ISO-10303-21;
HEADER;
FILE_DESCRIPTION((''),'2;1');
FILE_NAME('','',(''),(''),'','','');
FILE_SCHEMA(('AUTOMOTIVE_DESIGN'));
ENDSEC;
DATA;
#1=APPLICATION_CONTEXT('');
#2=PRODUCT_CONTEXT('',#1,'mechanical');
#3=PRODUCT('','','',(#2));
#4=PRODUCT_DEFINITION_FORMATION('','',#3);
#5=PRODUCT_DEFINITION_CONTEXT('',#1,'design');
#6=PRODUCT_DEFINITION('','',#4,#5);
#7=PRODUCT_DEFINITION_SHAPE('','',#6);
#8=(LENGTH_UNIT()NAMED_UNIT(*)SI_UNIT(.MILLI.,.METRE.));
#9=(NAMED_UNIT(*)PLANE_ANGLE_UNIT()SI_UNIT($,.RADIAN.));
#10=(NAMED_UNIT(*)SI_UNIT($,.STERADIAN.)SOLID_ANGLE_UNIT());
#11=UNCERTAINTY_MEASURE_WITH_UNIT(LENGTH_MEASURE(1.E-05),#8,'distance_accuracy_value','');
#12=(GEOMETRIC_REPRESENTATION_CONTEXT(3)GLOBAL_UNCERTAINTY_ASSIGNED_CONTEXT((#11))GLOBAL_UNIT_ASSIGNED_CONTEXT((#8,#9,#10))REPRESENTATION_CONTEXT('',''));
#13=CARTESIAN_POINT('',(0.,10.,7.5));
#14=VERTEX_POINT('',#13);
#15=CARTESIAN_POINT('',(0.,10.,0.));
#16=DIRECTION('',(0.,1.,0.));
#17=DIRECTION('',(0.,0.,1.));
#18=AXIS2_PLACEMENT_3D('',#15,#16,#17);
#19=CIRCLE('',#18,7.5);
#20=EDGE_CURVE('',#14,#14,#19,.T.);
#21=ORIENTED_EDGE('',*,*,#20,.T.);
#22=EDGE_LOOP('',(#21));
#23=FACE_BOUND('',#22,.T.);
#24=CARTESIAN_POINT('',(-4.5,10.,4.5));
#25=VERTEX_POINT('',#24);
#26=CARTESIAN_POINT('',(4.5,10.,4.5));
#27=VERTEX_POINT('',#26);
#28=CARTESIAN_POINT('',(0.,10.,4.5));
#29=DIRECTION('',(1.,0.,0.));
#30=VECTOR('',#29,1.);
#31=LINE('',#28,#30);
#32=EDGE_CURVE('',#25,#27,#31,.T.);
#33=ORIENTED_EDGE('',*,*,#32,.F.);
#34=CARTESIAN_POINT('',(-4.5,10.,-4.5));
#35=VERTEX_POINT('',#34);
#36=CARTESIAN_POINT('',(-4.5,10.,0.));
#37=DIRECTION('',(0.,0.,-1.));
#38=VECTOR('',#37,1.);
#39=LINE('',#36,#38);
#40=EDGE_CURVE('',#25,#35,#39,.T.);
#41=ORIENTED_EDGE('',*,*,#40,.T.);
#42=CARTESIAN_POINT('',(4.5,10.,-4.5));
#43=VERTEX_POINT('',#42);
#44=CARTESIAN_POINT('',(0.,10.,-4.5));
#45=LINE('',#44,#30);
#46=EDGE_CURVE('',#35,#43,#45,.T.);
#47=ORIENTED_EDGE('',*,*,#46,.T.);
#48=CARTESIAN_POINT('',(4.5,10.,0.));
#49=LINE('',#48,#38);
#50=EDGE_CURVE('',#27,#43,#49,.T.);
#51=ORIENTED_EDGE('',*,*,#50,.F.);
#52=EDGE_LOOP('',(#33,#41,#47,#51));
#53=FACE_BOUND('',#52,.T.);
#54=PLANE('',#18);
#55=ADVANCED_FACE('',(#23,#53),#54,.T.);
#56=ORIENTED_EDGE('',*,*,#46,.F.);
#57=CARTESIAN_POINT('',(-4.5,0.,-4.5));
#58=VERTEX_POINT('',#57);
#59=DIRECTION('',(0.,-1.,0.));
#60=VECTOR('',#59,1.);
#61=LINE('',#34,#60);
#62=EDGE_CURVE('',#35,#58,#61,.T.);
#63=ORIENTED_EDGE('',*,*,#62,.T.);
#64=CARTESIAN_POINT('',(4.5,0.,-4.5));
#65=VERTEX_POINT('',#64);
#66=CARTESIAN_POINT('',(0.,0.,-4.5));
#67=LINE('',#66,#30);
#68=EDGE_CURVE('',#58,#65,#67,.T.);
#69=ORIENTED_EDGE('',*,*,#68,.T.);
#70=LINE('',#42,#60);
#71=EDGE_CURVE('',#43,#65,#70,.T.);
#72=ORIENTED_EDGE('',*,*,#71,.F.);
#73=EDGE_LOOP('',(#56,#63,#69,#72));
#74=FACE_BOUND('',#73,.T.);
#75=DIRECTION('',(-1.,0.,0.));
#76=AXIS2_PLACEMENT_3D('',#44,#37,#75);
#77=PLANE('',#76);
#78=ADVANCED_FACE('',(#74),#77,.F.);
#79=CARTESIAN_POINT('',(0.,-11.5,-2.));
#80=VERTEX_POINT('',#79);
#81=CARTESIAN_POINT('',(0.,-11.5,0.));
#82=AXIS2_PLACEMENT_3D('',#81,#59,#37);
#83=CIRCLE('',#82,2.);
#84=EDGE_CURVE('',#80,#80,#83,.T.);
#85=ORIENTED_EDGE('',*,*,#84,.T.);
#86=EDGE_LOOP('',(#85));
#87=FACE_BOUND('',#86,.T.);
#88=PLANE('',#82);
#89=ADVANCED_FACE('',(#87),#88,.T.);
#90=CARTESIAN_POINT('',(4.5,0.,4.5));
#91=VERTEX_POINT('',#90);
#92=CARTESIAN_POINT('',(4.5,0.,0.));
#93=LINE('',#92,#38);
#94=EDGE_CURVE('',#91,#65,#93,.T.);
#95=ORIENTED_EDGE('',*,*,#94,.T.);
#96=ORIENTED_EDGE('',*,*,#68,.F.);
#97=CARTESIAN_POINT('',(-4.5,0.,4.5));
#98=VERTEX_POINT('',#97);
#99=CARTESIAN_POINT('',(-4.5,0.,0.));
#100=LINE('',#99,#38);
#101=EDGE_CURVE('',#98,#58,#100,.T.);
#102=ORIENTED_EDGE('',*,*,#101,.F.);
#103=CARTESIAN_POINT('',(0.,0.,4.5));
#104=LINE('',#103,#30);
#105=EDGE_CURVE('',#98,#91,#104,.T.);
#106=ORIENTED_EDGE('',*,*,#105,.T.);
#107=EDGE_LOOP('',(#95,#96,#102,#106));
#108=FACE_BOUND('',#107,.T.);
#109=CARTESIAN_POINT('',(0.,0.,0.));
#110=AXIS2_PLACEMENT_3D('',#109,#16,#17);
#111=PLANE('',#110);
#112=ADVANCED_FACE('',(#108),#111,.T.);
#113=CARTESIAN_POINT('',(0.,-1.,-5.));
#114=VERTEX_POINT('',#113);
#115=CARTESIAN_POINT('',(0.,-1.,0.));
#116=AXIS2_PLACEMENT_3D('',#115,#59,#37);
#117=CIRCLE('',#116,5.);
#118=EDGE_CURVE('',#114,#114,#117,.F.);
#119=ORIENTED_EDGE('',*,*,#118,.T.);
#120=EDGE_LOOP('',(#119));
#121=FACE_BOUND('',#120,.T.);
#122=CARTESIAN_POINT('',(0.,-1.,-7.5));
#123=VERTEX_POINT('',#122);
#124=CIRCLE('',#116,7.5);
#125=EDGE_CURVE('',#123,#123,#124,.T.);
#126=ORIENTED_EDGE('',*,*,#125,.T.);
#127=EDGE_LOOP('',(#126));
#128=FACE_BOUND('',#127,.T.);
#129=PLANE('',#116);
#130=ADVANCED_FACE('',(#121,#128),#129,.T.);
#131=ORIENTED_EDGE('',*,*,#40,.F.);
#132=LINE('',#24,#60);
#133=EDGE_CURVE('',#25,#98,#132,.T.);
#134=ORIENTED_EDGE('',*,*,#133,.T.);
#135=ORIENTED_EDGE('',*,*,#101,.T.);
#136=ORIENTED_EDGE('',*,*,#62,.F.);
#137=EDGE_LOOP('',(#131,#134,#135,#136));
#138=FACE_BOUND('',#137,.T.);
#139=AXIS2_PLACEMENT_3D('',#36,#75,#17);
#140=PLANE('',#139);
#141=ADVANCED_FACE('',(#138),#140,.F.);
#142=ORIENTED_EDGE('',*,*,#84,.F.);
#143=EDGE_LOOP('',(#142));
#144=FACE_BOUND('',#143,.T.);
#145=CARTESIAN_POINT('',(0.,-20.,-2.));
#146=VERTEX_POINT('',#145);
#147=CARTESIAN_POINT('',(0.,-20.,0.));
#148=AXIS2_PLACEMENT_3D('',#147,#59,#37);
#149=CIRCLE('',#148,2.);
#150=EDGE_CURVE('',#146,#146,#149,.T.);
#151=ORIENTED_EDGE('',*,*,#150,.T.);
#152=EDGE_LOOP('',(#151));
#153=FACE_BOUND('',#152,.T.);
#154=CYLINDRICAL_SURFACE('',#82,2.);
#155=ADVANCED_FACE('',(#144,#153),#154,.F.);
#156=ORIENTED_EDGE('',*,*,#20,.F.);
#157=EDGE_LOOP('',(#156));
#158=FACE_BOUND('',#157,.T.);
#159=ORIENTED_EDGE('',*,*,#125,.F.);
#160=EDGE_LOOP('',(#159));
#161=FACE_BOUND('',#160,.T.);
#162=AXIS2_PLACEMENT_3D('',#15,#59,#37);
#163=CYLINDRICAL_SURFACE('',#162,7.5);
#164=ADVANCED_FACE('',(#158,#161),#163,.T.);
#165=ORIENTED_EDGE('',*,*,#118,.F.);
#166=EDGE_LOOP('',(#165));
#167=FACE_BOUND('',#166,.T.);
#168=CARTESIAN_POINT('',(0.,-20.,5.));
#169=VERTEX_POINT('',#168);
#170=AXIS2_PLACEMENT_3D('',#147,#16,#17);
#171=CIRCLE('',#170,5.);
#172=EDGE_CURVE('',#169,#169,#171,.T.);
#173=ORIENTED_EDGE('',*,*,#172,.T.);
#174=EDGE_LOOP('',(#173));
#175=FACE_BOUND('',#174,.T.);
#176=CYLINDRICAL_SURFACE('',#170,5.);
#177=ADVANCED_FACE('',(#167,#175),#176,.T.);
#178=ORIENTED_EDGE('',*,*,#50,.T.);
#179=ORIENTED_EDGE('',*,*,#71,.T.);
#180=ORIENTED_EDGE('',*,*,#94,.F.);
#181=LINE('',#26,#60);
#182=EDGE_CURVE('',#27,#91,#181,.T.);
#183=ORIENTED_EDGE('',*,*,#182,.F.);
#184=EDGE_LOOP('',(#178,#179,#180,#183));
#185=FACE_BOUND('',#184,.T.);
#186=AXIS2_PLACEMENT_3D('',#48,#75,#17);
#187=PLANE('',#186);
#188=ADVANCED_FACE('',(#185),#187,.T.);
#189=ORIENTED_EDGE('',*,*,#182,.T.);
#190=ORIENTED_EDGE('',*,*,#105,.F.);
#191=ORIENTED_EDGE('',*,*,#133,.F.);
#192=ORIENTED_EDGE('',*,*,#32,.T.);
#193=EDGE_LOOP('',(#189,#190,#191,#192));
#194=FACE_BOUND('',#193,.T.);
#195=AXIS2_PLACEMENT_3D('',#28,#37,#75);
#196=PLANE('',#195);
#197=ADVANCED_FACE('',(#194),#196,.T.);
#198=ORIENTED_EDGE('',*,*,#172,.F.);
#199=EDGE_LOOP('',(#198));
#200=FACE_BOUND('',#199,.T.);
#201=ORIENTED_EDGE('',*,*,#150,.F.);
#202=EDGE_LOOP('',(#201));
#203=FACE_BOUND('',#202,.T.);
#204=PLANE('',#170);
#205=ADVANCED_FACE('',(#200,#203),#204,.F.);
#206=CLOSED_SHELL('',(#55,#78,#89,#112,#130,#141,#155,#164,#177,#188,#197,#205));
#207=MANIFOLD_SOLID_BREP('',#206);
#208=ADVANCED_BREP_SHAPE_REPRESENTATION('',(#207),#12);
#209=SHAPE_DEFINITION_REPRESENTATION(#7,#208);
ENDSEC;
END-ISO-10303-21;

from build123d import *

# Parameters (mm, degrees)
SKETCH2_R           = 7.5
SKETCH2_W           = 9
SKETCH2_H           = 9
BOSS_EXTRUDE1_DEPTH = 10
SKETCH2_4_R         = 5
BOSS_EXTRUDE2_DEPTH = 20
SKETCH3_R           = 2
CUT_EXTRUDE1_DEPTH  = 8.5
BOSS_EXTRUDE3_START = 1
SKETCH4_R           = 7.5
BOSS_EXTRUDE3_DEPTH = 1


with BuildPart() as part:
    # Sketch2 → Boss-Extrude1 (new body)
    with BuildSketch(Plane(origin=(0, 0, 0), x_dir=(1, 0, 0), z_dir=(0, 1, 0))):
        Circle(SKETCH2_R)
        Rectangle(SKETCH2_W, SKETCH2_H, mode=Mode.SUBTRACT)
    extrude(amount=BOSS_EXTRUDE1_DEPTH)

    # Sketch2<4> → Boss-Extrude2 (add)
    with BuildSketch(Plane(origin=(0, 0, 0), x_dir=(1, 0, 0), z_dir=(0, 1, 0))):
        Circle(SKETCH2_4_R)
    extrude(amount=-BOSS_EXTRUDE2_DEPTH)

    # Sketch3 → Cut-Extrude1 (cut)
    with BuildSketch(Plane.XZ.offset(20)):
        Circle(SKETCH3_R)
    extrude(amount=-CUT_EXTRUDE1_DEPTH, mode=Mode.SUBTRACT)

    # Sketch4 → Boss-Extrude3 (add)
    with BuildSketch(Plane.XZ.offset(BOSS_EXTRUDE3_START)):
        Circle(SKETCH4_R)
    extrude(amount=-BOSS_EXTRUDE3_DEPTH)


solid = part.part
